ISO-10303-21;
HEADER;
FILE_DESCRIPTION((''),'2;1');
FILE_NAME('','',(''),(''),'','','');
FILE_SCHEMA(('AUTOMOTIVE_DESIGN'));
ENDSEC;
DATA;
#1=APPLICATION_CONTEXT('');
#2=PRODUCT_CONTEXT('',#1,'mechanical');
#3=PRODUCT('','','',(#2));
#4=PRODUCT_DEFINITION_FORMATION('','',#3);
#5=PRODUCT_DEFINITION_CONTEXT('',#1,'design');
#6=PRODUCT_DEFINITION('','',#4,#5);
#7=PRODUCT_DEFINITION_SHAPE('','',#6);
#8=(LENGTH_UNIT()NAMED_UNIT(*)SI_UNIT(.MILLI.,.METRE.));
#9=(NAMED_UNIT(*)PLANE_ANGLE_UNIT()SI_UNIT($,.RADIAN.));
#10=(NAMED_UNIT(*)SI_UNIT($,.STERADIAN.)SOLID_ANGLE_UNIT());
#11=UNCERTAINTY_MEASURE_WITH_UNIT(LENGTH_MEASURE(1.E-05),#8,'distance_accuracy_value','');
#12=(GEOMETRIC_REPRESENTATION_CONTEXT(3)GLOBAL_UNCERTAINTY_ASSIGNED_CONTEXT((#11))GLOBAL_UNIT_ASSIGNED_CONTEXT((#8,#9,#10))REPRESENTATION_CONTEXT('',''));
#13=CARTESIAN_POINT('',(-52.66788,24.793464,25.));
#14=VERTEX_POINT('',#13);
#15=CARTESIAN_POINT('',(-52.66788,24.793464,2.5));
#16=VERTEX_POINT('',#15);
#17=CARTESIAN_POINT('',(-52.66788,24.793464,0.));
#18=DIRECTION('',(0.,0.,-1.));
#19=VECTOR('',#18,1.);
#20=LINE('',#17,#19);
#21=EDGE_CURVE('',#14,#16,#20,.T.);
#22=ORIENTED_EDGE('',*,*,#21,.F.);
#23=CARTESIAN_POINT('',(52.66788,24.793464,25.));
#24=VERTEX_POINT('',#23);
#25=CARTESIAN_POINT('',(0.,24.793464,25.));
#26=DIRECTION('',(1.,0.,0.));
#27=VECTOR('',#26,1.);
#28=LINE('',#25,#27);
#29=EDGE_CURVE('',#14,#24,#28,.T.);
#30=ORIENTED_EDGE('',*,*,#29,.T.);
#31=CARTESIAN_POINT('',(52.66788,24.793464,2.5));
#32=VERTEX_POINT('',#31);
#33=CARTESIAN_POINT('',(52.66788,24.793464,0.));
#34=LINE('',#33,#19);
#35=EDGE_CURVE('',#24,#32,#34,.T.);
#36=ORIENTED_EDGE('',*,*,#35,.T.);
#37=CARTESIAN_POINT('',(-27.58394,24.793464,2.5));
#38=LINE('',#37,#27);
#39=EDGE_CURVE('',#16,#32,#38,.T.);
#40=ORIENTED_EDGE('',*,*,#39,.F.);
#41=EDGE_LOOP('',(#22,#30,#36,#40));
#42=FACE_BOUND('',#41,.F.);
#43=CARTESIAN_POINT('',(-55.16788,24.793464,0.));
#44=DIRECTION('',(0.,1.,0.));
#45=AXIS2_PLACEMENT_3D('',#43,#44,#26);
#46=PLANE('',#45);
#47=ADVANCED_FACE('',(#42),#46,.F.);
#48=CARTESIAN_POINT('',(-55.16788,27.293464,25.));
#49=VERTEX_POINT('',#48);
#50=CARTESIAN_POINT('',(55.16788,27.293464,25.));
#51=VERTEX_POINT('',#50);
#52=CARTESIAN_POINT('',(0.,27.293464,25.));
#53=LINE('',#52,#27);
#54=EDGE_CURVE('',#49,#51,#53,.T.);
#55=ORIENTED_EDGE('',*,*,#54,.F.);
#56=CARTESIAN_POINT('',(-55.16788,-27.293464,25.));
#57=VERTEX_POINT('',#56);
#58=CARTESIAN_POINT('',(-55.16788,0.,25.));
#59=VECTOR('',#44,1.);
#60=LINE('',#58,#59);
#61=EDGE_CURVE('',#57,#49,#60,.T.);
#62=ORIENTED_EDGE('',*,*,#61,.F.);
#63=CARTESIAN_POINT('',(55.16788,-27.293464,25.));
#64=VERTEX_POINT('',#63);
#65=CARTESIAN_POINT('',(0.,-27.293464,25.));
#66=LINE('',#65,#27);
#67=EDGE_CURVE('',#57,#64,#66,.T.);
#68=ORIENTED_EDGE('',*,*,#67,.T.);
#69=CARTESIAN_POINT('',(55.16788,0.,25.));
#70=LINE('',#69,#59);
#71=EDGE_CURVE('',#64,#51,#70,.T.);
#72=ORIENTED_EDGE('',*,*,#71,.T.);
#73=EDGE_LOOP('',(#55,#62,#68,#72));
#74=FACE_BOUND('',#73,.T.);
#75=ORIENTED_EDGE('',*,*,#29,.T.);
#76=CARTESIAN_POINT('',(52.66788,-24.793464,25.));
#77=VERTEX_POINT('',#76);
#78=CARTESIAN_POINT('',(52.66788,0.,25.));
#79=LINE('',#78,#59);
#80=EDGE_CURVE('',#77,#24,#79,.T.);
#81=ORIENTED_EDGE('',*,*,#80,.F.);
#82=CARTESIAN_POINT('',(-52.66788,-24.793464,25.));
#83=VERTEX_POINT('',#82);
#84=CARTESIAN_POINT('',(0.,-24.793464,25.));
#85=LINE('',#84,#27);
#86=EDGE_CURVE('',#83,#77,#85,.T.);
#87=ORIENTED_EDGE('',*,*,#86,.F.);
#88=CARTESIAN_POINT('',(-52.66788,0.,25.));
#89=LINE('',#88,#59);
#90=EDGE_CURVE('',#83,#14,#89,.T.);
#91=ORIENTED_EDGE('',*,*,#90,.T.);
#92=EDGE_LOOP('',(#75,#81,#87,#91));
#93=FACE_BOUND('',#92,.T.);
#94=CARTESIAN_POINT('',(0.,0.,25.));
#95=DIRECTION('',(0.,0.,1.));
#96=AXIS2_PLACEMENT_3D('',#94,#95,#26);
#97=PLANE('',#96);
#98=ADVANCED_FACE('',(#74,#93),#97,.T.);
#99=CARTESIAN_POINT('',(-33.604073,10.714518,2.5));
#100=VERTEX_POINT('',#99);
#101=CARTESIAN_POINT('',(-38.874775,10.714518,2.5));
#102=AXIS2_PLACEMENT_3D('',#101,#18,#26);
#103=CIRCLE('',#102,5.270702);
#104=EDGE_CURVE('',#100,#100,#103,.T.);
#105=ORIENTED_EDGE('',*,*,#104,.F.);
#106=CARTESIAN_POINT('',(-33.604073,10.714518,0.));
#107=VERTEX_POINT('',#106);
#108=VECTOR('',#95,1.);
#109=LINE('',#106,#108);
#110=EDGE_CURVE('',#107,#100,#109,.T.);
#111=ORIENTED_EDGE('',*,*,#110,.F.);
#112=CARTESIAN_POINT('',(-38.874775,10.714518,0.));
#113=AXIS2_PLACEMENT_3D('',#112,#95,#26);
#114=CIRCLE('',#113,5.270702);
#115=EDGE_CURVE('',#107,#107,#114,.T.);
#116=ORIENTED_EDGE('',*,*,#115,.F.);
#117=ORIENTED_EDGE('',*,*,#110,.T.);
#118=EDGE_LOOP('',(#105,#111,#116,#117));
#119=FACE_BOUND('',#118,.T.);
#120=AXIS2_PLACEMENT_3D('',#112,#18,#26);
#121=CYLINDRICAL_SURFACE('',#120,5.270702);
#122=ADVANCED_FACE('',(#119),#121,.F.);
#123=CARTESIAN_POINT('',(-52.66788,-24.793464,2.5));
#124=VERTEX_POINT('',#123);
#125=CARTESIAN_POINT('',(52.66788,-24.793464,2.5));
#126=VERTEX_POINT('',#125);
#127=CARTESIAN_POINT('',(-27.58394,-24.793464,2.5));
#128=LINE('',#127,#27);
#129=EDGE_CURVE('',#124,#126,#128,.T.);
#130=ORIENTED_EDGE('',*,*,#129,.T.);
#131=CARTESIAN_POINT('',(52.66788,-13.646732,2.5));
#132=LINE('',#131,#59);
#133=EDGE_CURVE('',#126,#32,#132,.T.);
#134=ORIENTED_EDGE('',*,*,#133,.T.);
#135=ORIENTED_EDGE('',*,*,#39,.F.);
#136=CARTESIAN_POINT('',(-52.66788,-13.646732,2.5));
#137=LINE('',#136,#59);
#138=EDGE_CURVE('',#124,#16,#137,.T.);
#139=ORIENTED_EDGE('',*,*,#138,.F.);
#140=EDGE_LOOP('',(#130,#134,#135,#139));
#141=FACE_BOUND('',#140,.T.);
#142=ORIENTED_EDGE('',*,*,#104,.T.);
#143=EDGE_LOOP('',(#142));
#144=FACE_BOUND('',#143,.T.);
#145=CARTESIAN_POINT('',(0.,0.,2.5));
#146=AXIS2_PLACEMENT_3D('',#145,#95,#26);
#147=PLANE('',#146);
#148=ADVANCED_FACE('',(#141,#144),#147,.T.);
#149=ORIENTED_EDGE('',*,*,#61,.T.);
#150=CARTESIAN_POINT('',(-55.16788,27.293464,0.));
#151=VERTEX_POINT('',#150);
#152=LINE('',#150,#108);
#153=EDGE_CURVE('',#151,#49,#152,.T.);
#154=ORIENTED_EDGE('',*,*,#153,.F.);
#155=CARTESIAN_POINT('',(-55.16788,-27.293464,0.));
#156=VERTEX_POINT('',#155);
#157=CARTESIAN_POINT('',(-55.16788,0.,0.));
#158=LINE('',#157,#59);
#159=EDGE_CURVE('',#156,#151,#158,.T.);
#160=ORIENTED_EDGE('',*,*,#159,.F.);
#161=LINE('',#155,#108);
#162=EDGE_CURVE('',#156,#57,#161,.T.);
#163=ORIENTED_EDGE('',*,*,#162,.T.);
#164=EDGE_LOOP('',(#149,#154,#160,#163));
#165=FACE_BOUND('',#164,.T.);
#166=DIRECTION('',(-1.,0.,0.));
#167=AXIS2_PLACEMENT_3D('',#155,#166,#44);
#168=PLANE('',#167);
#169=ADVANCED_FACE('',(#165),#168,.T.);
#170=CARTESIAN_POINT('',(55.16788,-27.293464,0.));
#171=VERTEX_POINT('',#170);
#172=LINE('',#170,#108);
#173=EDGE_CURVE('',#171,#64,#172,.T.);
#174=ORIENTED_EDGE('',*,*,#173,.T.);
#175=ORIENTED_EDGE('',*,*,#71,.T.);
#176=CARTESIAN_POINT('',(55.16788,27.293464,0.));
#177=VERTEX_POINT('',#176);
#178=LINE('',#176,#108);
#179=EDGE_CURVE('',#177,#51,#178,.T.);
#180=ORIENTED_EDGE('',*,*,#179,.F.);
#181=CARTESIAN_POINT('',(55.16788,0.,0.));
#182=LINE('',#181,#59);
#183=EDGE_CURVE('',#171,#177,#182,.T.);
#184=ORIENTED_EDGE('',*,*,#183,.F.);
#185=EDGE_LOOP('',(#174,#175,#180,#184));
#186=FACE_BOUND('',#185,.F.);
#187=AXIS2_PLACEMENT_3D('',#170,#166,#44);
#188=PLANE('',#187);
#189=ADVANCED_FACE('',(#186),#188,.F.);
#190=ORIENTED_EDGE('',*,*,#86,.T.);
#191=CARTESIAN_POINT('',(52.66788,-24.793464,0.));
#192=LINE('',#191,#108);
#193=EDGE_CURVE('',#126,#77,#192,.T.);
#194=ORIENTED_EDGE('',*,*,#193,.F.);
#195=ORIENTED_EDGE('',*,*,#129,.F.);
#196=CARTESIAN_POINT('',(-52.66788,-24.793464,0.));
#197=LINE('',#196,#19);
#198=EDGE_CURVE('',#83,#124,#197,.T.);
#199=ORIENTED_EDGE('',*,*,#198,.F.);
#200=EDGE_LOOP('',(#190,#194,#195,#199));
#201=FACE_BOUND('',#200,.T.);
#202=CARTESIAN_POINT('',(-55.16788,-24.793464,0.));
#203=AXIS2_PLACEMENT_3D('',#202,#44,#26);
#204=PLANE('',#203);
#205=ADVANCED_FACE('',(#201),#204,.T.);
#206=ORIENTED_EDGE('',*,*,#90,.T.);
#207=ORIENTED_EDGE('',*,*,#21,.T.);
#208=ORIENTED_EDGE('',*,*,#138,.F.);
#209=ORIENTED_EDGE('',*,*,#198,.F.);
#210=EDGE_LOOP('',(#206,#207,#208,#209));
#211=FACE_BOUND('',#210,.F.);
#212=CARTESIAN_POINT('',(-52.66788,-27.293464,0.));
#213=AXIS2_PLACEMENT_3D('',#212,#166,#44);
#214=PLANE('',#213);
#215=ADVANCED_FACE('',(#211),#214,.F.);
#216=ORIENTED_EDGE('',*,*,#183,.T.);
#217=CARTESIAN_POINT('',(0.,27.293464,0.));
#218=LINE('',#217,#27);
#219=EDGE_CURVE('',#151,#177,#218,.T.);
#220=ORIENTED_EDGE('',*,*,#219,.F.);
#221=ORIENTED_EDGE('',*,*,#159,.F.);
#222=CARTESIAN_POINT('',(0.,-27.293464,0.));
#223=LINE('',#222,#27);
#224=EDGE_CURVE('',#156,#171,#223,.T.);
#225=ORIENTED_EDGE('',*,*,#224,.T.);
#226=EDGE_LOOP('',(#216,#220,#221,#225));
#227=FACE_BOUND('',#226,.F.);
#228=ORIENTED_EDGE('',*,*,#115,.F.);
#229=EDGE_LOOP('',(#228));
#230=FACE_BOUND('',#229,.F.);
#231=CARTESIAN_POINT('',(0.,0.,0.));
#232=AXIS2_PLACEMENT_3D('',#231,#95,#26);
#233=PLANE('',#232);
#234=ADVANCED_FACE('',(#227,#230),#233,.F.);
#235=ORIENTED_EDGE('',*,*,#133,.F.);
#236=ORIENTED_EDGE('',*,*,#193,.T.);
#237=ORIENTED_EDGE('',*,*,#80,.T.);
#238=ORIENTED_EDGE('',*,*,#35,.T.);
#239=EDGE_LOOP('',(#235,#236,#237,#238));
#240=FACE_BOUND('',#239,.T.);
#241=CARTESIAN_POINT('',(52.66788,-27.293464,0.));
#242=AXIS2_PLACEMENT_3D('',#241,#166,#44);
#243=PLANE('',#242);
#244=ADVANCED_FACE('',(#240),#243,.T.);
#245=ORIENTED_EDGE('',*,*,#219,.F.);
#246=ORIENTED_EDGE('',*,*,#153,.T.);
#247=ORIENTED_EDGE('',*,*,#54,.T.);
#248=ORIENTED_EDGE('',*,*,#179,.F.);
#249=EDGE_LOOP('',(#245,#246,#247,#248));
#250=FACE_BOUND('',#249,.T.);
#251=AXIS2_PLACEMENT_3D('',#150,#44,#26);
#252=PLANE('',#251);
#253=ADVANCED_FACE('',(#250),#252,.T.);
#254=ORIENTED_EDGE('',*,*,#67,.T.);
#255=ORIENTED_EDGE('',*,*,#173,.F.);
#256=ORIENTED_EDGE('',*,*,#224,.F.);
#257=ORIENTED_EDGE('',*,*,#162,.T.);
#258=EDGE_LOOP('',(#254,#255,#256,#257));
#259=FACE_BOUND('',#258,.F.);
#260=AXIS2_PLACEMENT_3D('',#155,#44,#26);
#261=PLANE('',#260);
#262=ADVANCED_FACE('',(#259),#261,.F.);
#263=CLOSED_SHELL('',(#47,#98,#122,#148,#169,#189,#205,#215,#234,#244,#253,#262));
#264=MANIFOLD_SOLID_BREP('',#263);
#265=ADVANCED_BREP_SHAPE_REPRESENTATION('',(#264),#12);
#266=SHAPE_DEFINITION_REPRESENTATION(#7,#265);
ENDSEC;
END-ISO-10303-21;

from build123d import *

# Parameters (mm, degrees)
F0_W     = 110.33576
F0_H     = 54.586928
F1_DEPTH = 25
F2_T     = -2.5
F3_R     = 5.270702
F4_DEPTH = 25.001


with BuildPart() as f1:
    # F0 (on Top) → F1 (new body)
    with BuildSketch(Plane.XY):
        Rectangle(F0_W, F0_H)
    extrude(amount=F1_DEPTH)

    # F2
    f2_openings = [f1.faces().sort_by_distance(p)[0] for p in [
        (0, 0, 25),
    ]]
    offset(amount=F2_T, openings=f2_openings)

    # F3 (on Top) → F4 (cut, through all)
    with BuildSketch(Plane.XY):
        with Locations((-38.874775, 10.714518)):
            Circle(F3_R)
    extrude(amount=F4_DEPTH, mode=Mode.SUBTRACT)


solid = f1.part
